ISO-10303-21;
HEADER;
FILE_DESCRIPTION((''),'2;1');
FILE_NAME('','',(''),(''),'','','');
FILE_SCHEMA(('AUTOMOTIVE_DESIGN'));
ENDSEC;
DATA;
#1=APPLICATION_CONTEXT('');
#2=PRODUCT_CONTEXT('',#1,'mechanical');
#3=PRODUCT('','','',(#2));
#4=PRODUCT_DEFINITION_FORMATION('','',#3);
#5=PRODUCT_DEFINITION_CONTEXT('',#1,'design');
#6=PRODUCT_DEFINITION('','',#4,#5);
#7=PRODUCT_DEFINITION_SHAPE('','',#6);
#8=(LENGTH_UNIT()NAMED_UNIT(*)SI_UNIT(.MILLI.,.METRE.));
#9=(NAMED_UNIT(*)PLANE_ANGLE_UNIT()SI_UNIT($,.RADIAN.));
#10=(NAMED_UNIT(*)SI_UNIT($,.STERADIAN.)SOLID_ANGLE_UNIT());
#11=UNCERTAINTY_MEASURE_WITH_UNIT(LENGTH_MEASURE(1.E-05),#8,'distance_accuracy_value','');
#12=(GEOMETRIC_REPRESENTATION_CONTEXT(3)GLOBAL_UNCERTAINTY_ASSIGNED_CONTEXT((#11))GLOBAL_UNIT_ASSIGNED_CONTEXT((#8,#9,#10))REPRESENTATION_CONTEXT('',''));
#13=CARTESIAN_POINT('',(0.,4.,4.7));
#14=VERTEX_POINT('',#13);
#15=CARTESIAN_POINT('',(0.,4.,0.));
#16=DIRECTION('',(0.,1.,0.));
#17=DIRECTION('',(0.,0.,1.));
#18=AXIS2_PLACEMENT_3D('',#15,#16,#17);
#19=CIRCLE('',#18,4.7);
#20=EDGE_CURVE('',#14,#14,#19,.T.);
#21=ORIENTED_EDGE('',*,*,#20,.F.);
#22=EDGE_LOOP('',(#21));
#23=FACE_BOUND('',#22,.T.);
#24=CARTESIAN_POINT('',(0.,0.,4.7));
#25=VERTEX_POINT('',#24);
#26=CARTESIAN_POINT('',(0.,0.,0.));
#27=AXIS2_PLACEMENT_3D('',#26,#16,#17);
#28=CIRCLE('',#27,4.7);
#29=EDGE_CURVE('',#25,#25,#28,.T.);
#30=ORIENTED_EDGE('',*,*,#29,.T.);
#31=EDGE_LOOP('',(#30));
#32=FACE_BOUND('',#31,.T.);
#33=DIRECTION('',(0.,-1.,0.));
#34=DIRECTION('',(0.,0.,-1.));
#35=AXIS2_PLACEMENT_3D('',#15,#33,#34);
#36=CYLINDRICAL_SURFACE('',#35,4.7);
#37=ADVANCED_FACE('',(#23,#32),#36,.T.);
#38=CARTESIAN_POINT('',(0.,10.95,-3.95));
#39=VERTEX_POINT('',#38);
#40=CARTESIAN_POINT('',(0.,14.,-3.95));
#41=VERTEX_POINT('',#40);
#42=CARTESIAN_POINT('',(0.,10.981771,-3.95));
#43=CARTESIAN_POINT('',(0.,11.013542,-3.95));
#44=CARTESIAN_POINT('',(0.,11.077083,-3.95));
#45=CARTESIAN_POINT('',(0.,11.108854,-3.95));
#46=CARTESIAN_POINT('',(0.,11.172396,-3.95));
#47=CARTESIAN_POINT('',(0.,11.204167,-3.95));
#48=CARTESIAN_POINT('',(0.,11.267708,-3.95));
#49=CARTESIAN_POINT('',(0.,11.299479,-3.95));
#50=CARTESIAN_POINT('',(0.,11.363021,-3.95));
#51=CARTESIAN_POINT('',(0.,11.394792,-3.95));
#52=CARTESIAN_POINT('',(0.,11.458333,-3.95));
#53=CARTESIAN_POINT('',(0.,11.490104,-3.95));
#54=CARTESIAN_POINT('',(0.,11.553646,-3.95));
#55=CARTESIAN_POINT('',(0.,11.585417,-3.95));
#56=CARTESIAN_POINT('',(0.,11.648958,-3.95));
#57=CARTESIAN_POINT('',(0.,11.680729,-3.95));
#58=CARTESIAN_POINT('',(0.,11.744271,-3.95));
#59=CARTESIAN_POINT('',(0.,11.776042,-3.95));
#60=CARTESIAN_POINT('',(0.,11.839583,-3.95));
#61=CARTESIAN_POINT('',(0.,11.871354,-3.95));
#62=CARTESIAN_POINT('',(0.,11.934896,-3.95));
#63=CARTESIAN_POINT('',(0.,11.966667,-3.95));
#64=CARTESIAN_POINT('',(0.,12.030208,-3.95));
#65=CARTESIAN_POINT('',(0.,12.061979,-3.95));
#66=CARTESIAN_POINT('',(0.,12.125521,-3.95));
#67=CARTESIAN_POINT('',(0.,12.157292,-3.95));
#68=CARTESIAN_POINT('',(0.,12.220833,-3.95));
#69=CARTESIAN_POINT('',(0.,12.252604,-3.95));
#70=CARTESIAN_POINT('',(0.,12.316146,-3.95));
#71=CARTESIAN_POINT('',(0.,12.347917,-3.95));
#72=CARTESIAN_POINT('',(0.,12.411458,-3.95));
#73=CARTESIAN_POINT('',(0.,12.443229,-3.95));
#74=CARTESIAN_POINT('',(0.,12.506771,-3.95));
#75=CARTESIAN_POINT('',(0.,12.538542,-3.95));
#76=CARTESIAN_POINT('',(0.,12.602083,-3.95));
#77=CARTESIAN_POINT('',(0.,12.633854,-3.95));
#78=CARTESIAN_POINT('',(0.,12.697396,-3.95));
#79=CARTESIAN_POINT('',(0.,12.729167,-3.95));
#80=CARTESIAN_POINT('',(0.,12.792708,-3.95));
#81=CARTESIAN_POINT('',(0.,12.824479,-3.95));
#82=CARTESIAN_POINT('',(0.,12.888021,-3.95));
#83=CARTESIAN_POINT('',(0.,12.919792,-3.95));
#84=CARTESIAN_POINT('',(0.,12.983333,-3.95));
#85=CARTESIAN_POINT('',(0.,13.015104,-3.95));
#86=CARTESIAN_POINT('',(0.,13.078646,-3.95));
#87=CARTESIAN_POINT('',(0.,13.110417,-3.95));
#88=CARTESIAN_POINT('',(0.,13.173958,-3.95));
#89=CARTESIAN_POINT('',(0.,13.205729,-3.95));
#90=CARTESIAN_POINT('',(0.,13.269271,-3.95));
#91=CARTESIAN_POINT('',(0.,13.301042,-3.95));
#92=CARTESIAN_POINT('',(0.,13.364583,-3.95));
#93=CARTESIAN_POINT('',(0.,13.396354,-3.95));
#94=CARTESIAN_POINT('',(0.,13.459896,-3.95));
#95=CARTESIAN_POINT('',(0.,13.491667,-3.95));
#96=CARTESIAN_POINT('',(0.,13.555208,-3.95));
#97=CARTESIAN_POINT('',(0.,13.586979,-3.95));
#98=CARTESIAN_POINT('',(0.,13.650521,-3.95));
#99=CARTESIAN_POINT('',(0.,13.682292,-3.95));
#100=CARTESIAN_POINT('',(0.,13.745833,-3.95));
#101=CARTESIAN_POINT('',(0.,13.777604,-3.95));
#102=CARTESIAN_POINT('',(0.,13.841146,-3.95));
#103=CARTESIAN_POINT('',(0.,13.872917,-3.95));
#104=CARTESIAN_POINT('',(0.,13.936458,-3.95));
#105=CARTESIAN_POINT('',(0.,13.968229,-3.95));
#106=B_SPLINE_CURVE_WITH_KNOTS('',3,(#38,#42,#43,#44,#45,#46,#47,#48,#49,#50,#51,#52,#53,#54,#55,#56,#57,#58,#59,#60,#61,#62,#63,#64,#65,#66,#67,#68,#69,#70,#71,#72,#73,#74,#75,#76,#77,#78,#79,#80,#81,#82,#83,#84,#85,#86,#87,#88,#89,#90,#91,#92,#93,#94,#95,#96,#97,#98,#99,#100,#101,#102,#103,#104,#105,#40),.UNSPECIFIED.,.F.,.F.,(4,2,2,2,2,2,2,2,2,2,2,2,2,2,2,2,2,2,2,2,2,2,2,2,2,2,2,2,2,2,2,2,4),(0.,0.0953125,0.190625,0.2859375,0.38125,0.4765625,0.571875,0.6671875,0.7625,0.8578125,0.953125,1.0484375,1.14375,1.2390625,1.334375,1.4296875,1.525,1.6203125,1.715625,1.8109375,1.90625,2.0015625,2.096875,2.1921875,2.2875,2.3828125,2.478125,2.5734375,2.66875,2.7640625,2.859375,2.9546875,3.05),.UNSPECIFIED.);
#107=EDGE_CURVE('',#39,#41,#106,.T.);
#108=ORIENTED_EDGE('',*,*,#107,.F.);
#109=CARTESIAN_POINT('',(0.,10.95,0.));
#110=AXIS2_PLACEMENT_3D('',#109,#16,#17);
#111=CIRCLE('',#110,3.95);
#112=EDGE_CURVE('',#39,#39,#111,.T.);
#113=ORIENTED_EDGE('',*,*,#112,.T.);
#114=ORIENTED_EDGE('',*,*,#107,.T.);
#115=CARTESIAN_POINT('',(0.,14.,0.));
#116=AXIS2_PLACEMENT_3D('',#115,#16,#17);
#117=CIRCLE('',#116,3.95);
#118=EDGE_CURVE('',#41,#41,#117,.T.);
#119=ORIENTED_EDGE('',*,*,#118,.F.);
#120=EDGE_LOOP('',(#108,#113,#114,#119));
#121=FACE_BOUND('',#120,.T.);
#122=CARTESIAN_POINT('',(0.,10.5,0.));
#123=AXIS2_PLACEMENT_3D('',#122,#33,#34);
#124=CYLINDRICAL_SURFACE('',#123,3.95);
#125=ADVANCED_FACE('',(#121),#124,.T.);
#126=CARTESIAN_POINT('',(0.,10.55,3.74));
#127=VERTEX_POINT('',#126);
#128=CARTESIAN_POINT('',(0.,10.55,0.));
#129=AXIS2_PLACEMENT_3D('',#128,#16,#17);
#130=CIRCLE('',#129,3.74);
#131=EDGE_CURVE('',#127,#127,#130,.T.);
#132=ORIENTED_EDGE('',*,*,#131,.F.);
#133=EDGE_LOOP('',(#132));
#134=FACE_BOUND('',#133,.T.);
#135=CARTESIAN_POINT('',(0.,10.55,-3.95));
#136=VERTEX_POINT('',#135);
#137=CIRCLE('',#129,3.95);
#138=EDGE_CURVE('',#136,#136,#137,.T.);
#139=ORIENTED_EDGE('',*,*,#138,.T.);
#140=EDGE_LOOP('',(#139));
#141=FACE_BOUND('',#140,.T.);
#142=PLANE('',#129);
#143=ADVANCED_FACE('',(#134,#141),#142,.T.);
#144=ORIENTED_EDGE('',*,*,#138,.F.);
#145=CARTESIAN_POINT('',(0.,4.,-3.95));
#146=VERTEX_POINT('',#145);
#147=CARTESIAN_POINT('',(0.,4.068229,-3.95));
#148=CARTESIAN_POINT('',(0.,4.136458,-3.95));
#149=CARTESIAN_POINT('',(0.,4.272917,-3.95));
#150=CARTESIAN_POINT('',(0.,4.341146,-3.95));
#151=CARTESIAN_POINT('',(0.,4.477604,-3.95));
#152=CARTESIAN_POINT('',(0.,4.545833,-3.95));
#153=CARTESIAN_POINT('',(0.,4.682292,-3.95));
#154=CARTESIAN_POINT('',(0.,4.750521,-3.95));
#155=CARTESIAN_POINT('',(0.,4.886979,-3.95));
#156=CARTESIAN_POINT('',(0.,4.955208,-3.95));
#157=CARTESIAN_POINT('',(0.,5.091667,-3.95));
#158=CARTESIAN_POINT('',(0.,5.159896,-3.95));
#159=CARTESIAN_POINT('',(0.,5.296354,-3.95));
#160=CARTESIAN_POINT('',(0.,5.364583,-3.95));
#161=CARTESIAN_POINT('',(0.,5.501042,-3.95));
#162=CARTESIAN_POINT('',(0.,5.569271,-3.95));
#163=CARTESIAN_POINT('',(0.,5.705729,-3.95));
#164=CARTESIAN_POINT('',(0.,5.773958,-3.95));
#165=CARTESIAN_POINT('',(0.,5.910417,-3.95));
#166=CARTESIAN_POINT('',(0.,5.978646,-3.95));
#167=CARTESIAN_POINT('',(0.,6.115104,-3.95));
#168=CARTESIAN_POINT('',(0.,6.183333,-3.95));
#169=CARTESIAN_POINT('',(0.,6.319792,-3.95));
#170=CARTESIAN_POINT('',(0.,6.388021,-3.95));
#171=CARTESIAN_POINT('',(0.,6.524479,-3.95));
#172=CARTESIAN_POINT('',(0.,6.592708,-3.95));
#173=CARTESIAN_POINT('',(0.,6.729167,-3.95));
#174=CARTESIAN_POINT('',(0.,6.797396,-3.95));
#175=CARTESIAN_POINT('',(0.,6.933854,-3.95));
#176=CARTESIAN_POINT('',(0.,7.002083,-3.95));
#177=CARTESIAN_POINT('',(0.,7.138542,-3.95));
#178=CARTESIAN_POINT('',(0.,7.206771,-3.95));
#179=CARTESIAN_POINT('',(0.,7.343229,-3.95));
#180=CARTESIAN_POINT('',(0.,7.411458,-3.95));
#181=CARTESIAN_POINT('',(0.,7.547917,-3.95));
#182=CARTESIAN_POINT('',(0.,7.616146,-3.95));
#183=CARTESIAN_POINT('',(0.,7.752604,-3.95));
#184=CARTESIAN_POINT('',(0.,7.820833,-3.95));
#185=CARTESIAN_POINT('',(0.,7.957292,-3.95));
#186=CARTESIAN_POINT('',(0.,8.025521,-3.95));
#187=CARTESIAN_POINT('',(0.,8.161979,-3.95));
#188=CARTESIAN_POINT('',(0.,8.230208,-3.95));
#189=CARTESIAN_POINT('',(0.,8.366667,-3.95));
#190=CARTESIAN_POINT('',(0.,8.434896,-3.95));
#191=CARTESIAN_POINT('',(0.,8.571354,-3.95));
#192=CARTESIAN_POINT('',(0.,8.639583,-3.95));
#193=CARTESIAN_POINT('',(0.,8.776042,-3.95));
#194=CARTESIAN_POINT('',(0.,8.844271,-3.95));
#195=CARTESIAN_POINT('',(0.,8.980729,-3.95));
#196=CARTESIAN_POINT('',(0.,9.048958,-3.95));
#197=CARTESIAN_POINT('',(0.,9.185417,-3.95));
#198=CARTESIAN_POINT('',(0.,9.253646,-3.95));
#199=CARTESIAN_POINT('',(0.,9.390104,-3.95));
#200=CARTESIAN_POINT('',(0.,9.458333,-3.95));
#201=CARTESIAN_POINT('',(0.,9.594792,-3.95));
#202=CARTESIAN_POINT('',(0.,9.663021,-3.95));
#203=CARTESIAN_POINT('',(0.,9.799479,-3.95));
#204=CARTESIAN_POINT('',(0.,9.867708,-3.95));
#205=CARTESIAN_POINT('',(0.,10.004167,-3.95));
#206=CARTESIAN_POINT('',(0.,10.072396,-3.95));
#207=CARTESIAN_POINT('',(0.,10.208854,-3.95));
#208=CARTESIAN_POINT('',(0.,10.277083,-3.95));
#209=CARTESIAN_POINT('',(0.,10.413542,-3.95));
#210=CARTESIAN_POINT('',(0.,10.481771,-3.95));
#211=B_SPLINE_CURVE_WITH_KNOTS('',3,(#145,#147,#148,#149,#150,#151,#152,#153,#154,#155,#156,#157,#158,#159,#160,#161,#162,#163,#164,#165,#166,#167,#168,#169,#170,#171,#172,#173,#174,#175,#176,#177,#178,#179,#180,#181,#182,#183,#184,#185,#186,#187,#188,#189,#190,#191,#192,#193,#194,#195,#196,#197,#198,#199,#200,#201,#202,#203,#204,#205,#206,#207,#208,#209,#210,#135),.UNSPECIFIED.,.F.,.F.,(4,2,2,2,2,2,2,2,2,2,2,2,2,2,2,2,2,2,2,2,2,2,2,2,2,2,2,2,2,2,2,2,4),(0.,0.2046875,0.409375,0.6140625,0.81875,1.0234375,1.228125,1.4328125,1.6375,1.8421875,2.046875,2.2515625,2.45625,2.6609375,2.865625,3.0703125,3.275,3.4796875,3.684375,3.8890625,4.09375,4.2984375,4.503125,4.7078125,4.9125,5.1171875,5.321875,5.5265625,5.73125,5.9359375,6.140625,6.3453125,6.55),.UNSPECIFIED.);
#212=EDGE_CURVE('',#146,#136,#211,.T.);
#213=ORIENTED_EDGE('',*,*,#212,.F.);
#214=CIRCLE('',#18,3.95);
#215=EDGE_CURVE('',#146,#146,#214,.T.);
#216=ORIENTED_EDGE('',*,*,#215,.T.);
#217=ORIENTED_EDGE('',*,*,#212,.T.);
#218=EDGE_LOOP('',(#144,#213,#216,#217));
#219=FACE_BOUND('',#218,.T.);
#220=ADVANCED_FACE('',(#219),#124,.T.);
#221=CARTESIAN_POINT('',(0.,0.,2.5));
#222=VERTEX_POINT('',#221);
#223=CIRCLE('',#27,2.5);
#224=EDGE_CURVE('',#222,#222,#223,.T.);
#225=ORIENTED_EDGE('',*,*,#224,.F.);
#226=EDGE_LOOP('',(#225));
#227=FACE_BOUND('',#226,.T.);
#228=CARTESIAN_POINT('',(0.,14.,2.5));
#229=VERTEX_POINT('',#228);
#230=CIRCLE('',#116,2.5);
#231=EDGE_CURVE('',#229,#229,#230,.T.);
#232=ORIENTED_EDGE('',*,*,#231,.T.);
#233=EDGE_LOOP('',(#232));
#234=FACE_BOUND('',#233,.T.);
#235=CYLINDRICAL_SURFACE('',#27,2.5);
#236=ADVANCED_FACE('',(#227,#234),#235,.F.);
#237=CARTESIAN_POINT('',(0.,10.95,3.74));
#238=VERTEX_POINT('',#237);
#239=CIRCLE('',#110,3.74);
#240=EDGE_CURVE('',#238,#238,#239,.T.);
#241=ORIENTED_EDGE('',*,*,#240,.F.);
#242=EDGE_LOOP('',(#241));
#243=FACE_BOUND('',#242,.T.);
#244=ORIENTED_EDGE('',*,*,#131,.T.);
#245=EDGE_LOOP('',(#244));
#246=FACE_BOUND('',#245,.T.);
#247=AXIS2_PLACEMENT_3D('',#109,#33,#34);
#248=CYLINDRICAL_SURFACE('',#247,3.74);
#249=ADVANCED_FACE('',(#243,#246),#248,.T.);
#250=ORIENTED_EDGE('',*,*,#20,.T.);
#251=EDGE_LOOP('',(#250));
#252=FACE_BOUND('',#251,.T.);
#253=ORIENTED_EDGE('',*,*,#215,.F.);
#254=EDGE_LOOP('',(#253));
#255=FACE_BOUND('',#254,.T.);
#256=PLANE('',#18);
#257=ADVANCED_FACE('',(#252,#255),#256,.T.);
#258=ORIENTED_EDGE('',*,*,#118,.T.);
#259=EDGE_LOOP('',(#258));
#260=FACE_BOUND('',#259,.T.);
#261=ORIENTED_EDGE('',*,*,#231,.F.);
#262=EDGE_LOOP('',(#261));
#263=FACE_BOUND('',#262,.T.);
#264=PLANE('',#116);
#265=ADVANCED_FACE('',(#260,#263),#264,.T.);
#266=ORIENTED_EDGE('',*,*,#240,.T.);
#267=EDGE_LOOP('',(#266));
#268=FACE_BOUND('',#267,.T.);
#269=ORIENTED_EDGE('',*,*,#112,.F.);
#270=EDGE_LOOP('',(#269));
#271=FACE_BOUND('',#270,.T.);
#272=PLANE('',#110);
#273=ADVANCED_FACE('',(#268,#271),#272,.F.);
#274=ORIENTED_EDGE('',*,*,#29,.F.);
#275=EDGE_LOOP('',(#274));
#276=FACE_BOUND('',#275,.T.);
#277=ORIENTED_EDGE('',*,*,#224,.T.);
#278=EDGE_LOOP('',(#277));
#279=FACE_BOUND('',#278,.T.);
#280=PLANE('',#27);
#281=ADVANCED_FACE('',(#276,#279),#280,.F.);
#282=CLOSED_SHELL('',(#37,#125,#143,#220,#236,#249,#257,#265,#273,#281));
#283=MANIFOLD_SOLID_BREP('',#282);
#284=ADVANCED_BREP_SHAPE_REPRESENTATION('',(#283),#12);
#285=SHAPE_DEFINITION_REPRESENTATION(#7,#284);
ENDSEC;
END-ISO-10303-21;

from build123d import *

# Parameters (mm, degrees)
SKETCH1_R                = 4.7
BOSS_EXTRUDE1_DEPTH      = 4
SKETCH2_R                = 3.95
BOSS_EXTRUDE2_DEPTH      = 6.5
SKETCH3_R                = 3.95
BOSS_EXTRUDE3_DEPTH      = 1
SKETCH4_R                = 3.95
BOSS_EXTRUDE4_DEPTH      = 2.5
SKETCH5_R                = 2.5
CUT_EXTRUDE1_DEPTH       = 16.497741771
CUT_EXTRUDE_1_DEPTH      = 0.2
CUT_EXTRUDE_1_DEPTH_BACK = 0.2
SKETCH_1_OUTSIDE_W       = 15.262
SKETCH_1_OUTSIDE_H       = 15.262
SKETCH_1_OUTSIDE_R       = 3.74


with BuildPart() as part:
    # Sketch1 → Boss-Extrude1 (new body)
    with BuildSketch(Plane(origin=(0, 0, 0), x_dir=(1, 0, 0), z_dir=(0, 1, 0))):
        with Locations(Location((0, 0, 0), (0, 0, 270))):
            Circle(SKETCH1_R)
    extrude(amount=BOSS_EXTRUDE1_DEPTH)

    # Sketch2 → Boss-Extrude2 (add)
    with BuildSketch(Plane(origin=(0, 4, 0), x_dir=(1, 0, 0), z_dir=(0, 1, 0))):
        with Locations(Location((0, 0, 0), (0, 0, 90))):
            Circle(SKETCH2_R)
    extrude(amount=BOSS_EXTRUDE2_DEPTH)

    # Sketch3 → Boss-Extrude3 (add)
    with BuildSketch(Plane(origin=(0, 10.5, 0), x_dir=(1, 0, 0), z_dir=(0, 1, 0))):
        with Locations(Location((0, 0, 0), (0, 0, 90))):
            Circle(SKETCH3_R)
    extrude(amount=BOSS_EXTRUDE3_DEPTH)

    # Sketch4 → Boss-Extrude4 (add)
    with BuildSketch(Plane(origin=(0, 11.5, 0), x_dir=(1, 0, 0), z_dir=(0, 1, 0))):
        with Locations(Location((0, 0, 0), (0, 0, 90))):
            Circle(SKETCH4_R)
    extrude(amount=BOSS_EXTRUDE4_DEPTH)

    # Sketch5 → Cut-Extrude1 (cut, through all)
    with BuildSketch(Plane(origin=(0, 14, 0), x_dir=(1, 0, 0), z_dir=(0, 1, 0))):
        with Locations(Location((0, 0, 0), (0, 0, 270))):
            Circle(SKETCH5_R)
    extrude(amount=-CUT_EXTRUDE1_DEPTH, mode=Mode.SUBTRACT)

    # 草图1 outside → 切除-拉伸1 (cut, two sides: drawn at the far end of the back side and taken through both)
    with BuildSketch(Plane(origin=(0, 10.75, 0), x_dir=(1, 0, 0), z_dir=(0, 1, 0)).offset(-CUT_EXTRUDE_1_DEPTH_BACK)):
        Rectangle(SKETCH_1_OUTSIDE_W, SKETCH_1_OUTSIDE_H)
        with Locations(Location((0, 0, 0), (0, 0, 270))):
            Circle(SKETCH_1_OUTSIDE_R, mode=Mode.SUBTRACT)
    extrude(amount=CUT_EXTRUDE_1_DEPTH + CUT_EXTRUDE_1_DEPTH_BACK, mode=Mode.SUBTRACT)


solid = part.part
